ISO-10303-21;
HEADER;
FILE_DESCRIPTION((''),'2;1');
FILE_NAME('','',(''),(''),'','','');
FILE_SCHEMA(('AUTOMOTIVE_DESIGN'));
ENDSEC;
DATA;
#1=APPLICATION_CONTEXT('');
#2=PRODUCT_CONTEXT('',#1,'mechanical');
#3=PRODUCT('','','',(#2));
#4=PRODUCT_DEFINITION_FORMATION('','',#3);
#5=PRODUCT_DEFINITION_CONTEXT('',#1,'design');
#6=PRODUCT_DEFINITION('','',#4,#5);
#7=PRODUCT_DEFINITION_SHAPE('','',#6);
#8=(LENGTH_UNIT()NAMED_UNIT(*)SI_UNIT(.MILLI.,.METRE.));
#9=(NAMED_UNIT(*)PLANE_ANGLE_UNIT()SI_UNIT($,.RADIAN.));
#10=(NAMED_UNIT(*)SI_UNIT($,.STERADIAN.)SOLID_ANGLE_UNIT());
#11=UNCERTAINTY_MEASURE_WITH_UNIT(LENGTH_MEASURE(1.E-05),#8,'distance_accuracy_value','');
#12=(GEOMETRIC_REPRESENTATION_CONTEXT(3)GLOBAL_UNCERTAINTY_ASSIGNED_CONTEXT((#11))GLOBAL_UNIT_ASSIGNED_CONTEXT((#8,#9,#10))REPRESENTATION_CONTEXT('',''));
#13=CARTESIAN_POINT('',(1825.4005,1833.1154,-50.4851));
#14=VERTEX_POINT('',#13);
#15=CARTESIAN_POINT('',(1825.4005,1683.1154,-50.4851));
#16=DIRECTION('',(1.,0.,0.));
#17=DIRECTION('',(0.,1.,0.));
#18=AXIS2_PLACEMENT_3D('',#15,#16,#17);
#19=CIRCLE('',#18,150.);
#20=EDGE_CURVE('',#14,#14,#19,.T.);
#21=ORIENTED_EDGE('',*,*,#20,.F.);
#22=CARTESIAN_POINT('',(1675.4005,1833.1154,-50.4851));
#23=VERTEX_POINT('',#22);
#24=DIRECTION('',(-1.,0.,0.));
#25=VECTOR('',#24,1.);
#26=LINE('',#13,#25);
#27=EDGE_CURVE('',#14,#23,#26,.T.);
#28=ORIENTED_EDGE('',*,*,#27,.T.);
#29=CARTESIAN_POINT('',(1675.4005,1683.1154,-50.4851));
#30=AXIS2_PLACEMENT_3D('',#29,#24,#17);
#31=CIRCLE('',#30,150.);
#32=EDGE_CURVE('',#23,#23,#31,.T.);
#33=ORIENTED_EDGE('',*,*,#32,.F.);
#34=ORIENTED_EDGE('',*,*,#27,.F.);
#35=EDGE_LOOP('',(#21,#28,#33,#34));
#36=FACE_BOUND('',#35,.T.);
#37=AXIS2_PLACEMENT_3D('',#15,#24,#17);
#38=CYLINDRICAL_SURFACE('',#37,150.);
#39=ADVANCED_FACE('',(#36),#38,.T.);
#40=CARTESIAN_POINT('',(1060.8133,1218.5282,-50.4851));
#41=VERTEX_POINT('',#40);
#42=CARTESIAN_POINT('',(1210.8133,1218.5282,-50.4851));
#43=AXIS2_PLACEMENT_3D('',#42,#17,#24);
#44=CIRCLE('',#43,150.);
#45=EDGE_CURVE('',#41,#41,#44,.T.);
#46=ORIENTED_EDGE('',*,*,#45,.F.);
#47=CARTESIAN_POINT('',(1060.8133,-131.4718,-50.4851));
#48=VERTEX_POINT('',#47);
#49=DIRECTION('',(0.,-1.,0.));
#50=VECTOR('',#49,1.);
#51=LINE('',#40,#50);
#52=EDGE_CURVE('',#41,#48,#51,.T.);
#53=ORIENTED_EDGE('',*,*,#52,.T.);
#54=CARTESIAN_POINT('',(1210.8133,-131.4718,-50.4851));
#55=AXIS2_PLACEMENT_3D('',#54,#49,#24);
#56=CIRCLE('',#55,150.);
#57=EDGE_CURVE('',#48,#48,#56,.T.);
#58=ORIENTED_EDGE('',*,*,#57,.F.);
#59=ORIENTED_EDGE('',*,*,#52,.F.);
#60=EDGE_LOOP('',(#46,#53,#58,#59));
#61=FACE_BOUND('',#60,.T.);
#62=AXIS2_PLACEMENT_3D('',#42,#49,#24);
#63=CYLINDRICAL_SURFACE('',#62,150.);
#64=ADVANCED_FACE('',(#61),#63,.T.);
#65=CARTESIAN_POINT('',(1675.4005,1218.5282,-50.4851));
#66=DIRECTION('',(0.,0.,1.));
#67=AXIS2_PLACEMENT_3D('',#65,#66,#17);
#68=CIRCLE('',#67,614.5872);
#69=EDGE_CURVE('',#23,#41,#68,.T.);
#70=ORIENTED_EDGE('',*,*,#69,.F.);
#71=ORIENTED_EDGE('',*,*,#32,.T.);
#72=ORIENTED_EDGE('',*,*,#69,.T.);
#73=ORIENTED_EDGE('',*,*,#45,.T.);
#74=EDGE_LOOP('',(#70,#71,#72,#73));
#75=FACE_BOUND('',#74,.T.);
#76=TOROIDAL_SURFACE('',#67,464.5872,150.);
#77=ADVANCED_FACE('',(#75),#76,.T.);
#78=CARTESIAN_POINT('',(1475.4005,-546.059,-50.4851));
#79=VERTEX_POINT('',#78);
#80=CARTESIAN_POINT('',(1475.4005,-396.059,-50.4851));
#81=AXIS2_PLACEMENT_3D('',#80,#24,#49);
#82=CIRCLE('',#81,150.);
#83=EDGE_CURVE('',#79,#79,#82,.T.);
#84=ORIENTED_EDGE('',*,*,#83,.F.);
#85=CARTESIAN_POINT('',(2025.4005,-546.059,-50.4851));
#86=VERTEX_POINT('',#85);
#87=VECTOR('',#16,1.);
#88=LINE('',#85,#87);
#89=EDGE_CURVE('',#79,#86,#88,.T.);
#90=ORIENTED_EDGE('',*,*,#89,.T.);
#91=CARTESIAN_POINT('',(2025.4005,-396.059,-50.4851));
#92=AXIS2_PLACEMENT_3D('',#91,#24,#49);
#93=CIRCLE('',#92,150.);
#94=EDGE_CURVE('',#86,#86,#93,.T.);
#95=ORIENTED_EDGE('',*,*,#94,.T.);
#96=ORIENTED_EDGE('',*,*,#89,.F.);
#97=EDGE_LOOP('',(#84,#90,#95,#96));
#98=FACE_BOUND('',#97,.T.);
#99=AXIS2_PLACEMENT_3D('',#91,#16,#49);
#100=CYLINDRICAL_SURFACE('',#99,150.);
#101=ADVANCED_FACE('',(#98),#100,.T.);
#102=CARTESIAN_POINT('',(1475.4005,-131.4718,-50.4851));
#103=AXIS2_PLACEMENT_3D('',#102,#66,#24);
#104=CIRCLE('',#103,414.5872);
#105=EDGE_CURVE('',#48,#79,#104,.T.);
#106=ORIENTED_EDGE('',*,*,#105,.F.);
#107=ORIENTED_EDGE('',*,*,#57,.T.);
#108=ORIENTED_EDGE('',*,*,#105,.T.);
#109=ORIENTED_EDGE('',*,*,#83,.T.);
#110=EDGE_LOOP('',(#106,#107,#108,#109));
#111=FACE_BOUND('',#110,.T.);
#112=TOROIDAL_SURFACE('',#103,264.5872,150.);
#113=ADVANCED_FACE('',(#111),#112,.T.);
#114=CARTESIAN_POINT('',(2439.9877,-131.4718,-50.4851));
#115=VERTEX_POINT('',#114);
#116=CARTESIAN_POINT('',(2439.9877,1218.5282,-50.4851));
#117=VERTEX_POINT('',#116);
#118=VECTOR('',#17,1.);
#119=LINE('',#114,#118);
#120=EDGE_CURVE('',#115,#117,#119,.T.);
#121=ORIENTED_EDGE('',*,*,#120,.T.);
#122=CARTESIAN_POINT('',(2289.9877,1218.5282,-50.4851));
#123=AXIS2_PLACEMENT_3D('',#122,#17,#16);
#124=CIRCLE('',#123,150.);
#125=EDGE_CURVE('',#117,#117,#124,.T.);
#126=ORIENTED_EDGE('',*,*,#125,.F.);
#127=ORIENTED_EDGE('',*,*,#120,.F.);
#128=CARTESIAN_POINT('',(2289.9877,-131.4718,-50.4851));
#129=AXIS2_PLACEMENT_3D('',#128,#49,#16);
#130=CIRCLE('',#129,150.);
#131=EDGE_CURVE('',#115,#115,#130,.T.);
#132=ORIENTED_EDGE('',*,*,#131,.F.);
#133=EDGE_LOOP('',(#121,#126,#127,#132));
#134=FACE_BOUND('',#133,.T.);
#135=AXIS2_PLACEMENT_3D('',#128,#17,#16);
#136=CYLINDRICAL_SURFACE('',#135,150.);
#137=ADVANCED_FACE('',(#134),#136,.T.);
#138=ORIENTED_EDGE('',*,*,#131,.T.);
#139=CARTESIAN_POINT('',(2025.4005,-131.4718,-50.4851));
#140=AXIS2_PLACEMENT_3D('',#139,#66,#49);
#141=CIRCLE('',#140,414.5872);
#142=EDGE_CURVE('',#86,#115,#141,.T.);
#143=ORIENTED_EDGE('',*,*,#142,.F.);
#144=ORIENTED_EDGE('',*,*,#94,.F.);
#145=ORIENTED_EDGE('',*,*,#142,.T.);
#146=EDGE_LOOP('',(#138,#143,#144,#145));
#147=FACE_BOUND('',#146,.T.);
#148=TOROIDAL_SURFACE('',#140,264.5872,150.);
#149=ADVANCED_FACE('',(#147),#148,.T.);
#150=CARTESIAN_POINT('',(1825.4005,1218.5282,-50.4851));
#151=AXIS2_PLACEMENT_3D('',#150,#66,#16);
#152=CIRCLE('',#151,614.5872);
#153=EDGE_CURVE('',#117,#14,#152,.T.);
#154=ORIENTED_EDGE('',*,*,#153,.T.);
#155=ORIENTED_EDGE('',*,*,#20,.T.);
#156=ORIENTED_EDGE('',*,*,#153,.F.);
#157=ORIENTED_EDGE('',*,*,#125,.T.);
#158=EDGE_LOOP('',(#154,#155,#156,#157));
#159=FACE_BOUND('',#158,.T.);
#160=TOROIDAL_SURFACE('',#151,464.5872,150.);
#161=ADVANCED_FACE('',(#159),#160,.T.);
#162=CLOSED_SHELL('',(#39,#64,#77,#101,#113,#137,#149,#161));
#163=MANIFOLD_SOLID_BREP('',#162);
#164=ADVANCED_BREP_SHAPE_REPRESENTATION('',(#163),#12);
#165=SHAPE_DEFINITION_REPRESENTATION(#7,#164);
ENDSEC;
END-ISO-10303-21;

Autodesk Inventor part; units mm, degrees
ref_plane "YZ Plane" through (0, 0, 0) normal (1, 0, 0) x (0, 1, 0)
ref_plane "XZ Plane" through (0, 0, 0) normal (0, 1, 0) x (-1, 0, 0)
ref_plane "XY Plane" through (0, 0, 0) normal (0, 0, 1) x (1, 0, 0)
sketch "Skizze2" plane through (0, 0, 0) normal (0, 0, 1) x (1, 0, 0)
  line L0 (2425.4005, -131.4718) -> (2425.4005, 1218.5282)
  line L1 (1825.4005, 1818.5282) -> (1675.4005, 1818.5282)
  line L2 (1075.4005, 1218.5282) -> (1075.4005, -131.4718)
  arc A0 (1675.4005, 1818.5282) -> (1075.4005, 1218.5282) centre (1675.4005, 1218.5282) ccw
  arc A1 (2425.4005, 1218.5282) -> (1825.4005, 1818.5282) centre (1825.4005, 1218.5282) ccw
  arc A2 (1075.4005, -131.4718) -> (1475.4005, -531.4718) centre (1475.4005, -131.4718) ccw
  arc A3 (2025.4005, -531.4718) -> (2425.4005, -131.4718) centre (2025.4005, -131.4718) ccw
  line L3 (2025.4005, -531.4718) -> (1475.4005, -531.4718)
  point P0 (0, 0)
  point P1 (2425.4005, 1818.5282)
  point P2 (2425.4005, -131.4718)
  point P3 (1075.4005, 1818.5282)
  dimension "d2" = 1350
  dimension "d3" = 1950
  dimension "d5" = 600
  dimension "d6" = 400
  dimension "d16" = 1350
  dimension "d17" = 1350
sketch "Skizze4" plane through (0, 0, 0) normal (0, 1, 0) x (-1, 0, 0)
  circle A0 centre (-1210.8133, -50.4851) radius 150
  point P0 (0, 0)
  dimension "d11" = 300
sweep "Sweeping1" add profiles "Skizze4" path "Skizze2"
properties part number "Schlauchoot"
